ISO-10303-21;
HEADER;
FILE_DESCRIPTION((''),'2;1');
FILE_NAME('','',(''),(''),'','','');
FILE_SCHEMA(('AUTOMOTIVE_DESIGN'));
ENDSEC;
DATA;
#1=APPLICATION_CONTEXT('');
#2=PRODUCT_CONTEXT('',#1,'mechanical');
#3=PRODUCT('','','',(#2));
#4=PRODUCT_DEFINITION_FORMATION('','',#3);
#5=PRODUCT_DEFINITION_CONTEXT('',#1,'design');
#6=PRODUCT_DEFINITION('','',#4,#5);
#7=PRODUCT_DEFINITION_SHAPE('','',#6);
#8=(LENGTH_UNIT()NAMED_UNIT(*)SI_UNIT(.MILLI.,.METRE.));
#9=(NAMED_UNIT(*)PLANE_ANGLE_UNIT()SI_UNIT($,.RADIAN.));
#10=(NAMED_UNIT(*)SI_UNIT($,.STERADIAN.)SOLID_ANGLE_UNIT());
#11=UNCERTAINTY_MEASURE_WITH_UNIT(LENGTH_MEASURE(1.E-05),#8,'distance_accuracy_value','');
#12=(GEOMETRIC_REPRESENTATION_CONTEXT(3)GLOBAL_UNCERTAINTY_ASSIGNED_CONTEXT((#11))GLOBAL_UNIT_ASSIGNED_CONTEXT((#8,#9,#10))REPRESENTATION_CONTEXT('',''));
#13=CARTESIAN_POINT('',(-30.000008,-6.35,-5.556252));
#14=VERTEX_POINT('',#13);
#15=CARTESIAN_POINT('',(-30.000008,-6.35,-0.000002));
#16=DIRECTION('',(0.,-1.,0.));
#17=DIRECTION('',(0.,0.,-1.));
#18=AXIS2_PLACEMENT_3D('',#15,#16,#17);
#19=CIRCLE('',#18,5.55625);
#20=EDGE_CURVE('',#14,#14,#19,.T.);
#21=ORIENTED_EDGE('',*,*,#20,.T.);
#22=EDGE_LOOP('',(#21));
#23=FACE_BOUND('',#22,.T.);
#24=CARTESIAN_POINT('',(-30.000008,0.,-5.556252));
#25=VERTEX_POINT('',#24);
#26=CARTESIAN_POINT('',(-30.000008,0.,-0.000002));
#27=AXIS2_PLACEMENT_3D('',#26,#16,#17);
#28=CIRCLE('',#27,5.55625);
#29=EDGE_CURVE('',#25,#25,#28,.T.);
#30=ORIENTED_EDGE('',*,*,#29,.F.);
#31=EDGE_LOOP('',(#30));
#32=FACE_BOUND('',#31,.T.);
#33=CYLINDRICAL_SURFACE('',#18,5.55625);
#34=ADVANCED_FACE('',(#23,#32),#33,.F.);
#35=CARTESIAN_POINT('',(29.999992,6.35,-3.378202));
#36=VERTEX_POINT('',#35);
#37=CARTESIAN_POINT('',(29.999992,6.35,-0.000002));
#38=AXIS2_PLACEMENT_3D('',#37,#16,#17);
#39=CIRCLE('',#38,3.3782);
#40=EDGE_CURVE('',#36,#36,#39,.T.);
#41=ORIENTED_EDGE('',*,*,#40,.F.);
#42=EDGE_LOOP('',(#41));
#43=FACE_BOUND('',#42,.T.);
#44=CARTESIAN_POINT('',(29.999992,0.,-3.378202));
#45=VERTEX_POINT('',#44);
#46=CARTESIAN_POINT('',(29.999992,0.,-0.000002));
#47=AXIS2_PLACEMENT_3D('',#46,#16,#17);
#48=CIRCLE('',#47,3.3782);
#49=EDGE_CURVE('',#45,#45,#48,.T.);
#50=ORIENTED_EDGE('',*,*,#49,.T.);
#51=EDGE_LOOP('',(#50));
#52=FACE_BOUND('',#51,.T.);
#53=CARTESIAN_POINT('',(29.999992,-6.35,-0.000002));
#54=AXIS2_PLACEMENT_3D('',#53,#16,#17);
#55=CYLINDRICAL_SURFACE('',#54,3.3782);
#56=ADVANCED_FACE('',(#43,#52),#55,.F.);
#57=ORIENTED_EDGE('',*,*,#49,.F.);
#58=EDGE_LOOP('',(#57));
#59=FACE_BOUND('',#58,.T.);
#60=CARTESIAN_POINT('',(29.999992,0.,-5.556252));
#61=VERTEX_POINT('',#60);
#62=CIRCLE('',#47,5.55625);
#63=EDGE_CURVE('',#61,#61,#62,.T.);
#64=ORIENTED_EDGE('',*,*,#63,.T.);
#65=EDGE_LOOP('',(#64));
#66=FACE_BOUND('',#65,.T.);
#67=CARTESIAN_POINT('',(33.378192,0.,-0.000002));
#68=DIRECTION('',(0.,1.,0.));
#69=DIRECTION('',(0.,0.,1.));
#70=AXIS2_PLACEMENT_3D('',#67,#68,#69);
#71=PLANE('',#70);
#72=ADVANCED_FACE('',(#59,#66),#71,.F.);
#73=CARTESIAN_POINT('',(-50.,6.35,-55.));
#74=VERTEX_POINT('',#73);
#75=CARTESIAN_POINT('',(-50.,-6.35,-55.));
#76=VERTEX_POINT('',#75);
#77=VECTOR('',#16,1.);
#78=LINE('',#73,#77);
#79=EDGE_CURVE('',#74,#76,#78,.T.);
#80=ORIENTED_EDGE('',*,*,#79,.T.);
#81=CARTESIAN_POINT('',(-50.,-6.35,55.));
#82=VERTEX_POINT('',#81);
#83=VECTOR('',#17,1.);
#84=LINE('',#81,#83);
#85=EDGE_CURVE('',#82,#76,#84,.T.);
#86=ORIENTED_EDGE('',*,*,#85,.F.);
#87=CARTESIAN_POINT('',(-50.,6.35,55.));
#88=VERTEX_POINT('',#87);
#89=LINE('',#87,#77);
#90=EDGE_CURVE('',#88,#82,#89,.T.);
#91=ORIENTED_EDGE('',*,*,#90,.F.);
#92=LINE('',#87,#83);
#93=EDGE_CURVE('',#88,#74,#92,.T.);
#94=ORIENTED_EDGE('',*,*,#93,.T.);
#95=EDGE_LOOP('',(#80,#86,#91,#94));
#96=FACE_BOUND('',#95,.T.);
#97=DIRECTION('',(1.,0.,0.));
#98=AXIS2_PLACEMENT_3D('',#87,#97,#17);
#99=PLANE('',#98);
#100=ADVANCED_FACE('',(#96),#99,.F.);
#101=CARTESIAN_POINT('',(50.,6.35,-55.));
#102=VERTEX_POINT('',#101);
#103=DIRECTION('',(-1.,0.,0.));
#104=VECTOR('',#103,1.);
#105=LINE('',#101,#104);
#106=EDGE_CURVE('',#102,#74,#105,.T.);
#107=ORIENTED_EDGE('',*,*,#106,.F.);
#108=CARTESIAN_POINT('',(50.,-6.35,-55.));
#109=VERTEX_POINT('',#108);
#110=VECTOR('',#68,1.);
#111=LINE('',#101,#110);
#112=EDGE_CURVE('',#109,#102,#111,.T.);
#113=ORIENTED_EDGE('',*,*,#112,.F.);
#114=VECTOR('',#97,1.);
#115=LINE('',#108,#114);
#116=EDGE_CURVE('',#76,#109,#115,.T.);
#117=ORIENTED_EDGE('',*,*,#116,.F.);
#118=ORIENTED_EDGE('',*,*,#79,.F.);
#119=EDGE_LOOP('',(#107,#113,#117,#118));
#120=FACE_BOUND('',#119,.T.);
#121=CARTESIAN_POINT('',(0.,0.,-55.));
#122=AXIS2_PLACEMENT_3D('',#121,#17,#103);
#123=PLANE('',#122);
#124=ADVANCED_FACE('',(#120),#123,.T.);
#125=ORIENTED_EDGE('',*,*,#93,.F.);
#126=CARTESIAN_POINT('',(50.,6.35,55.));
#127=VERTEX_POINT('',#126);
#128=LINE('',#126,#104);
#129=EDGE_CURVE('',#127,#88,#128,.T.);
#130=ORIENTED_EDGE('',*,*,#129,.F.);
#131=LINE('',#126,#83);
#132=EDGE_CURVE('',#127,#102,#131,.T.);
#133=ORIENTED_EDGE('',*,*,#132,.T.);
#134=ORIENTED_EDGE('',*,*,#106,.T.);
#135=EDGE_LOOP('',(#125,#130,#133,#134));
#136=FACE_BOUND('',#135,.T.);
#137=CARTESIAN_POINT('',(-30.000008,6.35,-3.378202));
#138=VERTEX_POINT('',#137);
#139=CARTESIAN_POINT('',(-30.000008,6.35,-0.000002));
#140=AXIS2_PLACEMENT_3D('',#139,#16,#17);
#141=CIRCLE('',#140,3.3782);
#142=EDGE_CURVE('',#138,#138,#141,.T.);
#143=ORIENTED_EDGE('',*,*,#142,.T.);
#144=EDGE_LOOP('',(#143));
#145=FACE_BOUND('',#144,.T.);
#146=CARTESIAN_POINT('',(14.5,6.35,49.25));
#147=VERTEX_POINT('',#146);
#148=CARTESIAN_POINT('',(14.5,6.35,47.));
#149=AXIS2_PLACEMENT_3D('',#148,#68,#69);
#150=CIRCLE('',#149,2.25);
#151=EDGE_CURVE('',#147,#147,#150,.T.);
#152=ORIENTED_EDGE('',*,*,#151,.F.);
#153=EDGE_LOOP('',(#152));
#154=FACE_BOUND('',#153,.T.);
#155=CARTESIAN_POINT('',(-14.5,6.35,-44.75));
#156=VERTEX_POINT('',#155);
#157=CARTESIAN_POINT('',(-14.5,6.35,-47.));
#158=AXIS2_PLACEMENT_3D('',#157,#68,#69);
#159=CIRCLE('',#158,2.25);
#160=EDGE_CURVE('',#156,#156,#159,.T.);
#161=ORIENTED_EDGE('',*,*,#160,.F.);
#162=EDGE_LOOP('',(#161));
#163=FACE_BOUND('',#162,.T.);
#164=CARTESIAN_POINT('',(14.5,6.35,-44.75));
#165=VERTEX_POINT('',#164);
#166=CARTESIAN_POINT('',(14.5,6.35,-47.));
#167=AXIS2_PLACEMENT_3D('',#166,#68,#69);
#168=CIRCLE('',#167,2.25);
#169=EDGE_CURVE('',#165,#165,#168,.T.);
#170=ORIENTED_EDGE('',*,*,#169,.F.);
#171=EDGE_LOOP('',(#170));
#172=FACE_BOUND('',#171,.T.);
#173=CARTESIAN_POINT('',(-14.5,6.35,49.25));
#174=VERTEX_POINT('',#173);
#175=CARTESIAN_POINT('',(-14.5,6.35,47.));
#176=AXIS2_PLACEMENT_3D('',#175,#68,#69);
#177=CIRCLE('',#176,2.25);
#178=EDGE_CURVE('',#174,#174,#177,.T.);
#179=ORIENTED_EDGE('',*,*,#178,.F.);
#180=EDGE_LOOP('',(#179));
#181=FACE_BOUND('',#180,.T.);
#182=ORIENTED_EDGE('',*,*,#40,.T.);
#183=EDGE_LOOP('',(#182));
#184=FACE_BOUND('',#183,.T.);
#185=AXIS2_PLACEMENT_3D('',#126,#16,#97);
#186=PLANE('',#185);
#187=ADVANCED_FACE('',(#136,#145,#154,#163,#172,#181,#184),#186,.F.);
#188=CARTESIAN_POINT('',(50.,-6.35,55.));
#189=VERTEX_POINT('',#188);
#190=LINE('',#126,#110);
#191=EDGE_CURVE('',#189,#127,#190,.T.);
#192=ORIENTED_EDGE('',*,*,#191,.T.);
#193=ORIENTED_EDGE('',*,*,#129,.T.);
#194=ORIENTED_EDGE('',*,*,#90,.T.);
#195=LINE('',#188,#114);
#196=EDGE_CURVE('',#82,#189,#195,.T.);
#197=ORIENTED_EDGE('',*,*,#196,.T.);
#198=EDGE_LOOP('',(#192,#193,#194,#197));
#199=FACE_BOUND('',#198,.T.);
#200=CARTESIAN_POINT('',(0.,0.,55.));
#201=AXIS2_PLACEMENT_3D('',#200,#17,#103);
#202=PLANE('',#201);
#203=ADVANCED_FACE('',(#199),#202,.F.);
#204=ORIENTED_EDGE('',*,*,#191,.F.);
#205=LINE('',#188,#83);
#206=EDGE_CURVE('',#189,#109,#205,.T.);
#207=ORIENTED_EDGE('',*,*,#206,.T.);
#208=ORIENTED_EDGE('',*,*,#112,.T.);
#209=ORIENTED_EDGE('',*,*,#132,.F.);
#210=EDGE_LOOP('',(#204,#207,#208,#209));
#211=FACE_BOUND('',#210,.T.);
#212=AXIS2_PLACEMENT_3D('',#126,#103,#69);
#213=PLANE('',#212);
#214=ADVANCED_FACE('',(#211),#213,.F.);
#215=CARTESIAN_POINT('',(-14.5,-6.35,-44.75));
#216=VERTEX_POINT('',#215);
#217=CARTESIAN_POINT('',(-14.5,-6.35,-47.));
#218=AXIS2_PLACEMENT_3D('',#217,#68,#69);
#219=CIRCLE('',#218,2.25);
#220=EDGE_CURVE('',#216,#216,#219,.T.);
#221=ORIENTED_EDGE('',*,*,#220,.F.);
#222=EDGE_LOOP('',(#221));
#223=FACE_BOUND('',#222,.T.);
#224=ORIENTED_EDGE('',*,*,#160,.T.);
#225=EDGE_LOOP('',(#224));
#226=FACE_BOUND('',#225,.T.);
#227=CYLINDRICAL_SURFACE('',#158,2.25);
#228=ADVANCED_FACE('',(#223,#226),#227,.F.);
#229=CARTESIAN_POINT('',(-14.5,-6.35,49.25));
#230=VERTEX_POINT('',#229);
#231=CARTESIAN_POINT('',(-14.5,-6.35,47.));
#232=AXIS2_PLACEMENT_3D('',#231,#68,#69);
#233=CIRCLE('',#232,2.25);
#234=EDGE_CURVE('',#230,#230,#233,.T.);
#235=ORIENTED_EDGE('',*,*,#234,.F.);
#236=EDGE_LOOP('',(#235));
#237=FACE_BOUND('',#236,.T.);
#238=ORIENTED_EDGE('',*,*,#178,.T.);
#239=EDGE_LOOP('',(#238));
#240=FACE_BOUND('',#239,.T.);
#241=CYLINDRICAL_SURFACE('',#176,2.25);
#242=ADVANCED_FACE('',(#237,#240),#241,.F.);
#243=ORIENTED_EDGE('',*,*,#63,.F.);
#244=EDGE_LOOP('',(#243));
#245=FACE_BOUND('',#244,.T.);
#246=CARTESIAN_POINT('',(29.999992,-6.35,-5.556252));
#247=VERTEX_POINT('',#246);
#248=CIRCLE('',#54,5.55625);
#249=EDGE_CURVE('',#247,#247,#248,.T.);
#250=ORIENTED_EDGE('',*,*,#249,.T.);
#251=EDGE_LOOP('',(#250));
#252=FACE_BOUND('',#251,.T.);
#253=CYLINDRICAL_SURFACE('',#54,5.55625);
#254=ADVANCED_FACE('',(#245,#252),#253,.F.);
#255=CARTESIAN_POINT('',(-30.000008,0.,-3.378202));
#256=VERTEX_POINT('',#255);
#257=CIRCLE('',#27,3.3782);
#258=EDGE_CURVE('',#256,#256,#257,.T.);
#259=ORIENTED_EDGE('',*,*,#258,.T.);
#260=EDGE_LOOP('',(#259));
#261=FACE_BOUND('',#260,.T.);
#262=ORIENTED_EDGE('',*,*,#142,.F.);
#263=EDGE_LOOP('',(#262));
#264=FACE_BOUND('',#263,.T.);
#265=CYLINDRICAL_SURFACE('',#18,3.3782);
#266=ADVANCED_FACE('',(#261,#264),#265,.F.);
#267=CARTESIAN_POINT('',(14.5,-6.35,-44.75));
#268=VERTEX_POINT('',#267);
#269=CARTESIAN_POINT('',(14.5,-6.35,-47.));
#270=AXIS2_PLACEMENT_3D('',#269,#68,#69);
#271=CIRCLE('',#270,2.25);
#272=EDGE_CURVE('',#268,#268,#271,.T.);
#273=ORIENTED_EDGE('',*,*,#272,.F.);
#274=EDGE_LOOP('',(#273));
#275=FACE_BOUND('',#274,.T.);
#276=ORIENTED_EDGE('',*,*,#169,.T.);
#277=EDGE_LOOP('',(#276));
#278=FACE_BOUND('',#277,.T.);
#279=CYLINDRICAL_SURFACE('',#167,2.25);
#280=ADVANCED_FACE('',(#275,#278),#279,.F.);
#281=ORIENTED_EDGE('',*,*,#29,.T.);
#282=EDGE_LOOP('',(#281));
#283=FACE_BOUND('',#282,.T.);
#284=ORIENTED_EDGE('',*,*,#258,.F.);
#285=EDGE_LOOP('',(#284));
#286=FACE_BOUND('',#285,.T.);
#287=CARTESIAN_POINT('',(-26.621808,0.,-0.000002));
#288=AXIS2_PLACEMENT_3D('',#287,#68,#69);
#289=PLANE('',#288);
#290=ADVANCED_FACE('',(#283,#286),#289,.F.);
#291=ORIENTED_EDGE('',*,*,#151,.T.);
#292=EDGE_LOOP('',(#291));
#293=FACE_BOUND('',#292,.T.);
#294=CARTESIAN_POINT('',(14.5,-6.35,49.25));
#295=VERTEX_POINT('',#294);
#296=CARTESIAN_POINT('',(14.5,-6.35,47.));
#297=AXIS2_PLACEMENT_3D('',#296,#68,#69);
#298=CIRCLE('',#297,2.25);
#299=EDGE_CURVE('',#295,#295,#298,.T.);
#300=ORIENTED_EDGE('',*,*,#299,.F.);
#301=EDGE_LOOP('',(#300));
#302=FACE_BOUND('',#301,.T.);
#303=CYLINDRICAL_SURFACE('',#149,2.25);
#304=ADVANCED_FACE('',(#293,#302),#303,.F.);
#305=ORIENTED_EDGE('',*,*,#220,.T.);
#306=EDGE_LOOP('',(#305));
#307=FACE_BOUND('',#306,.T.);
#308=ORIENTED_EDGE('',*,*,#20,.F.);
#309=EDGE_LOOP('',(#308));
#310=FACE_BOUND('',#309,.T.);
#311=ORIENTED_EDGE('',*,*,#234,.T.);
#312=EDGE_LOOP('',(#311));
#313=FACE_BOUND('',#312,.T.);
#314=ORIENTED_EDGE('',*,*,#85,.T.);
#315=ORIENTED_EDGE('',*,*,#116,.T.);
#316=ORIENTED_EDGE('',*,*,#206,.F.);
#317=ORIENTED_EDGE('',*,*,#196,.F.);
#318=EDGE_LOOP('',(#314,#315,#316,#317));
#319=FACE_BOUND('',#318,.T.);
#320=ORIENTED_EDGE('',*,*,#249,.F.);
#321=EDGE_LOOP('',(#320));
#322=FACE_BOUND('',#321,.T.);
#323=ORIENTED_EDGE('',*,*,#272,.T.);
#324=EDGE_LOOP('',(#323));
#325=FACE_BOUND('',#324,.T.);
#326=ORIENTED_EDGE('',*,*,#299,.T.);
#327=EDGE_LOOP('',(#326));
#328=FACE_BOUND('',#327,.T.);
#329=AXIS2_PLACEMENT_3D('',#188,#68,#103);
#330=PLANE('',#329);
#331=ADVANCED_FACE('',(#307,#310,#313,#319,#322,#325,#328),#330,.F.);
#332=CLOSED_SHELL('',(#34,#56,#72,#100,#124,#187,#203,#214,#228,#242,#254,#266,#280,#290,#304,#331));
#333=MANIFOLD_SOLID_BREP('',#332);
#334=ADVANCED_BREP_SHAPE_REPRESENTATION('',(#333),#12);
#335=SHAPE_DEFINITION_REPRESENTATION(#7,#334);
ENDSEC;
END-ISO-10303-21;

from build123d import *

# Parameters (mm, degrees)
SKETCH1_W                                        = 100
SKETCH1_H                                        = 12.7
BOSS_EXTRUDE1_DEPTH                              = 55
M4_CLEARANCE_HOLE1_D                             = 4.5
CBORE_FOR_1_4_SOCKET_HEAD_CAP_SCREW1_D           = 6.7564
CBORE_FOR_1_4_SOCKET_HEAD_CAP_SCREW1_CBORE_D     = 11.1125
CBORE_FOR_1_4_SOCKET_HEAD_CAP_SCREW1_CBORE_DEPTH = 6.35


with BuildPart() as part:
    # Sketch1 → Boss-Extrude1 (new, symmetric)
    with BuildSketch(Plane.XY):
        Rectangle(SKETCH1_W, SKETCH1_H)
    extrude(amount=BOSS_EXTRUDE1_DEPTH, both=True)

    # M4 Clearance Hole1 (through all)
    with Locations(Plane(origin=(0, 6.35, 0), x_dir=(1, 0, 0), z_dir=(0, 1, 0))):
        with Locations((14.5, -47), (-14.5, -47), (-14.5, 47), (14.5, 47)):
            Hole(M4_CLEARANCE_HOLE1_D / 2)

    # CBORE for 1/4 Socket Head Cap Screw1 (through all)
    with Locations(Plane(origin=(0, -6.35, 0), x_dir=(-1, 0, 0), z_dir=(0, -1, 0))):
        with Locations((30.000007891, 1.671e-06), (-29.999992109, 1.671e-06)):
            CounterBoreHole(CBORE_FOR_1_4_SOCKET_HEAD_CAP_SCREW1_D / 2, CBORE_FOR_1_4_SOCKET_HEAD_CAP_SCREW1_CBORE_D / 2, CBORE_FOR_1_4_SOCKET_HEAD_CAP_SCREW1_CBORE_DEPTH)


solid = part.part
